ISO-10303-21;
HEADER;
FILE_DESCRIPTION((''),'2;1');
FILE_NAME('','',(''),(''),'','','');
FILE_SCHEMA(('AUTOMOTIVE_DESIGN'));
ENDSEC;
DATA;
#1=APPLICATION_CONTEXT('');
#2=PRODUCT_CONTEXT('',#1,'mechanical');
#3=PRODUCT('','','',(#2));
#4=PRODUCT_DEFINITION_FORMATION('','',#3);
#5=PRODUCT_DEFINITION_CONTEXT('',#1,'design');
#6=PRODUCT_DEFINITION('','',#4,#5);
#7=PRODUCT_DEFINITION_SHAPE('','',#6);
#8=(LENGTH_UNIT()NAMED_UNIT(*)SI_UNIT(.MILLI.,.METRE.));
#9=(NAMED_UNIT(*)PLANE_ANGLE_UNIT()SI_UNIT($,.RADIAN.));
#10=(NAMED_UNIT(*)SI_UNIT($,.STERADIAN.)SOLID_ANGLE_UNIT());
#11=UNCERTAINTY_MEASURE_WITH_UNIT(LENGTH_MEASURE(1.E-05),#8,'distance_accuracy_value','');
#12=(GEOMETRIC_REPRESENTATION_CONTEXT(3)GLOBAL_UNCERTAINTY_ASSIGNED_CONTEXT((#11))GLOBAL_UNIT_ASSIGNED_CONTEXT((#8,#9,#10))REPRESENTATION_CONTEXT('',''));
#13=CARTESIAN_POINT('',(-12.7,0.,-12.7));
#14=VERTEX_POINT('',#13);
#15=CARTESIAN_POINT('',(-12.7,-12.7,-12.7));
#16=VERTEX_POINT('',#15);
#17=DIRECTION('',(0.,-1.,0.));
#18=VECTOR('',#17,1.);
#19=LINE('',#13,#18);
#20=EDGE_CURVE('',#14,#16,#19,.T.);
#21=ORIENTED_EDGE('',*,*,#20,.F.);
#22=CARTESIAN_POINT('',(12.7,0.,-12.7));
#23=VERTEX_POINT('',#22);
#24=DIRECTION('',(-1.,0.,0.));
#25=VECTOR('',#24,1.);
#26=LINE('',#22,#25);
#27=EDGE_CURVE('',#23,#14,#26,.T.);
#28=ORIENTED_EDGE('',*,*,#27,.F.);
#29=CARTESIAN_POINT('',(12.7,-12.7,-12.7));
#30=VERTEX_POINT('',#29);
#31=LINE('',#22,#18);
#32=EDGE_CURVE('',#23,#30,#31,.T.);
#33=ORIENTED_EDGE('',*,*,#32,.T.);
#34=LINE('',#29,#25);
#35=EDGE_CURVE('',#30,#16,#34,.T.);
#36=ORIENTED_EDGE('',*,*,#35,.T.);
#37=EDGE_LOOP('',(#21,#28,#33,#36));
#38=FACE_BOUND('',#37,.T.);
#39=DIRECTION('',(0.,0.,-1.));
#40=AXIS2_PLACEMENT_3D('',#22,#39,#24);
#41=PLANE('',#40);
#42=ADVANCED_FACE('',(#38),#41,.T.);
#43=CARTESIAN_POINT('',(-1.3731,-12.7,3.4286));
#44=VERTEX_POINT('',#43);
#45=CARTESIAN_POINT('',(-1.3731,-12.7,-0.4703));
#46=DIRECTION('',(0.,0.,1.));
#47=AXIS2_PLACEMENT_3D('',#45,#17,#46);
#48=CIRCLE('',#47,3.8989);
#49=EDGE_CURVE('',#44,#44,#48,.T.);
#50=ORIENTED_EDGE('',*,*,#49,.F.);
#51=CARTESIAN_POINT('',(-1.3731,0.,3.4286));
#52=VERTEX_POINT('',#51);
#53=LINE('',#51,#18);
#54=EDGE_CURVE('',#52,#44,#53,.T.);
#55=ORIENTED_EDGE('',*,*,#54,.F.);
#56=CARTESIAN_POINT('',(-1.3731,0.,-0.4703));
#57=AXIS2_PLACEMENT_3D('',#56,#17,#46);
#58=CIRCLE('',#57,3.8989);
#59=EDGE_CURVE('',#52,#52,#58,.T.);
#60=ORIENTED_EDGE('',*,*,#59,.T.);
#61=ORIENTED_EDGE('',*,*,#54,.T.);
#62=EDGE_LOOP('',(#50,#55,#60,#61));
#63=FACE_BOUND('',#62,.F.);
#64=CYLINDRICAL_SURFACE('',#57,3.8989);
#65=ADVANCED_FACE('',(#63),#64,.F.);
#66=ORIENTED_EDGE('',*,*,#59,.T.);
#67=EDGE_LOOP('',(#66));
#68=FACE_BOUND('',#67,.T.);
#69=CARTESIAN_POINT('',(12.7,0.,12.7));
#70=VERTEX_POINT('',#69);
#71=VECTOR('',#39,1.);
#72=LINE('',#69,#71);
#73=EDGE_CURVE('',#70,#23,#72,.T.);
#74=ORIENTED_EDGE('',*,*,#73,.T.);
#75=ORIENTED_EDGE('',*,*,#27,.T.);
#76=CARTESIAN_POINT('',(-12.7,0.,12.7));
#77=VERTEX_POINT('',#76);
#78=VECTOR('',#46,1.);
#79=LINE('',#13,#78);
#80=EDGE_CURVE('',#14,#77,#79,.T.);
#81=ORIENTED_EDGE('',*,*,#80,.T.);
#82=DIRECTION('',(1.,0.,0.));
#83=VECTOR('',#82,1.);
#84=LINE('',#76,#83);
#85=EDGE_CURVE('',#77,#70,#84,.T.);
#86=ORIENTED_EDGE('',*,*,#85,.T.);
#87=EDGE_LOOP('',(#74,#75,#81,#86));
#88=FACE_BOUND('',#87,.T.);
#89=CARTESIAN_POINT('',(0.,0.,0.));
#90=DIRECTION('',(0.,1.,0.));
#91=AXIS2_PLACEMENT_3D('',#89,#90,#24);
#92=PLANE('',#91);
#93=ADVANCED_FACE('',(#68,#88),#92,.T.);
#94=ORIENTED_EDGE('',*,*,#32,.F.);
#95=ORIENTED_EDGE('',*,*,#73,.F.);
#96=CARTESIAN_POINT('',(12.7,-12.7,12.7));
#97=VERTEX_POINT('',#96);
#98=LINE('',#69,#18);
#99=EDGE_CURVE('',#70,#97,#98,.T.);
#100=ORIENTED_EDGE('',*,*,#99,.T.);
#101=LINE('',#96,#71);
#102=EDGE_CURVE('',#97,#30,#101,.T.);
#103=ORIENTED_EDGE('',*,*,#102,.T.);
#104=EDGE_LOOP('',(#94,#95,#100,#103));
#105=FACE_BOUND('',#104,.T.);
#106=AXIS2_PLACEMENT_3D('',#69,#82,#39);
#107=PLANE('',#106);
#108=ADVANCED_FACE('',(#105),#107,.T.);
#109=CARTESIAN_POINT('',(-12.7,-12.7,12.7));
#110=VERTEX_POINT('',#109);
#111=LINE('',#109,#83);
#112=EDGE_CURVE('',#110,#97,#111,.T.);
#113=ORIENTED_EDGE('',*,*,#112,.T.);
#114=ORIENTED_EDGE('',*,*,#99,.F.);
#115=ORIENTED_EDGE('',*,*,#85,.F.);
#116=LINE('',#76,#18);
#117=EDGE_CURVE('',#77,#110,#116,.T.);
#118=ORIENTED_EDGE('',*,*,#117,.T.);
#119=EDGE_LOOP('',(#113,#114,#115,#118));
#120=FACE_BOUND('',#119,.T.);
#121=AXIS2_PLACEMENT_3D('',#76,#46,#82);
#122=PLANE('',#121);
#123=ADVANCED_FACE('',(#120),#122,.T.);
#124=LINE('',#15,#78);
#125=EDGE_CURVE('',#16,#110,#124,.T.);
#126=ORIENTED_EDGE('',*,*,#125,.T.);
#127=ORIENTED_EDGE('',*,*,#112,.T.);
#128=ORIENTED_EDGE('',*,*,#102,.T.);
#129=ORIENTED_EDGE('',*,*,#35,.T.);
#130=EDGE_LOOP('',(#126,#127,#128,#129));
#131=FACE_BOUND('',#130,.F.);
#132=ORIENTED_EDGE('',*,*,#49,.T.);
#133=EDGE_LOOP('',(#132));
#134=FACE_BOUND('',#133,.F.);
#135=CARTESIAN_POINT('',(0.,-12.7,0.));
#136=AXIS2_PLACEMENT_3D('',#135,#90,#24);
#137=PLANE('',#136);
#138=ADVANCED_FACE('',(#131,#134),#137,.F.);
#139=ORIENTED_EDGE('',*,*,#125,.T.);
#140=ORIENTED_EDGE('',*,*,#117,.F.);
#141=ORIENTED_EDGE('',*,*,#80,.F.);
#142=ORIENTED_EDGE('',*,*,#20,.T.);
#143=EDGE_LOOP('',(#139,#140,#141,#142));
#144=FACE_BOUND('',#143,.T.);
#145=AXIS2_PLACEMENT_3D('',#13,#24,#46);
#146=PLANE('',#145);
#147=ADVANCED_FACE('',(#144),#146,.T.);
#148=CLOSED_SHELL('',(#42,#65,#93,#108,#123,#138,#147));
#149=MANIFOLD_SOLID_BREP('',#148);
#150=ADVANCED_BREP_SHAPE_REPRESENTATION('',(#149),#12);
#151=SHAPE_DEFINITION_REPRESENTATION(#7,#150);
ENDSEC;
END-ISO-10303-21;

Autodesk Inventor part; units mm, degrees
ref_plane "YZ Plane" through (0, 0, 0) normal (1, 0, 0) x (0, 1, 0)
ref_plane "XZ Plane" through (0, 0, 0) normal (0, 1, 0) x (-1, 0, 0)
ref_plane "XY Plane" through (0, 0, 0) normal (0, 0, 1) x (1, 0, 0)
sketch "Sketch1" plane through (0, 0, 0) normal (0, 1, 0) x (-1, 0, 0)
  line L0 (-12.7, 12.7) -> (-12.7, -12.7)
  line L1 (-12.7, -12.7) -> (12.7, -12.7)
  line L2 (12.7, -12.7) -> (12.7, 12.7)
  line L3 (12.7, 12.7) -> (-12.7, 12.7)
  line L4 (-12.7, 12.7) -> (12.7, -12.7) construction
  line L5 (-12.7, -12.7) -> (12.7, 12.7) construction
  point P0 (0, 0)
  dimension "d0" = 25.4
extrude "Extrusion1" add sketch "Sketch1" against normal blind 12.7
sketch "Sketch3" plane through (0, 0, 0) normal (0, 1, 0) x (1, 0, 0)
  point P0 (0, 0)
  point P1 (-1.3731, 0.4703)
hole "Hole2" at (-1.3731, 0, -0.4703) direction (0, -1, 0) diameter 7.7978 end through all
thread "Thread3" size "5/16-18 UNC" class "2B" standard "ANSI Unified Screw Threads" full length
properties part number "_3DPrint"
